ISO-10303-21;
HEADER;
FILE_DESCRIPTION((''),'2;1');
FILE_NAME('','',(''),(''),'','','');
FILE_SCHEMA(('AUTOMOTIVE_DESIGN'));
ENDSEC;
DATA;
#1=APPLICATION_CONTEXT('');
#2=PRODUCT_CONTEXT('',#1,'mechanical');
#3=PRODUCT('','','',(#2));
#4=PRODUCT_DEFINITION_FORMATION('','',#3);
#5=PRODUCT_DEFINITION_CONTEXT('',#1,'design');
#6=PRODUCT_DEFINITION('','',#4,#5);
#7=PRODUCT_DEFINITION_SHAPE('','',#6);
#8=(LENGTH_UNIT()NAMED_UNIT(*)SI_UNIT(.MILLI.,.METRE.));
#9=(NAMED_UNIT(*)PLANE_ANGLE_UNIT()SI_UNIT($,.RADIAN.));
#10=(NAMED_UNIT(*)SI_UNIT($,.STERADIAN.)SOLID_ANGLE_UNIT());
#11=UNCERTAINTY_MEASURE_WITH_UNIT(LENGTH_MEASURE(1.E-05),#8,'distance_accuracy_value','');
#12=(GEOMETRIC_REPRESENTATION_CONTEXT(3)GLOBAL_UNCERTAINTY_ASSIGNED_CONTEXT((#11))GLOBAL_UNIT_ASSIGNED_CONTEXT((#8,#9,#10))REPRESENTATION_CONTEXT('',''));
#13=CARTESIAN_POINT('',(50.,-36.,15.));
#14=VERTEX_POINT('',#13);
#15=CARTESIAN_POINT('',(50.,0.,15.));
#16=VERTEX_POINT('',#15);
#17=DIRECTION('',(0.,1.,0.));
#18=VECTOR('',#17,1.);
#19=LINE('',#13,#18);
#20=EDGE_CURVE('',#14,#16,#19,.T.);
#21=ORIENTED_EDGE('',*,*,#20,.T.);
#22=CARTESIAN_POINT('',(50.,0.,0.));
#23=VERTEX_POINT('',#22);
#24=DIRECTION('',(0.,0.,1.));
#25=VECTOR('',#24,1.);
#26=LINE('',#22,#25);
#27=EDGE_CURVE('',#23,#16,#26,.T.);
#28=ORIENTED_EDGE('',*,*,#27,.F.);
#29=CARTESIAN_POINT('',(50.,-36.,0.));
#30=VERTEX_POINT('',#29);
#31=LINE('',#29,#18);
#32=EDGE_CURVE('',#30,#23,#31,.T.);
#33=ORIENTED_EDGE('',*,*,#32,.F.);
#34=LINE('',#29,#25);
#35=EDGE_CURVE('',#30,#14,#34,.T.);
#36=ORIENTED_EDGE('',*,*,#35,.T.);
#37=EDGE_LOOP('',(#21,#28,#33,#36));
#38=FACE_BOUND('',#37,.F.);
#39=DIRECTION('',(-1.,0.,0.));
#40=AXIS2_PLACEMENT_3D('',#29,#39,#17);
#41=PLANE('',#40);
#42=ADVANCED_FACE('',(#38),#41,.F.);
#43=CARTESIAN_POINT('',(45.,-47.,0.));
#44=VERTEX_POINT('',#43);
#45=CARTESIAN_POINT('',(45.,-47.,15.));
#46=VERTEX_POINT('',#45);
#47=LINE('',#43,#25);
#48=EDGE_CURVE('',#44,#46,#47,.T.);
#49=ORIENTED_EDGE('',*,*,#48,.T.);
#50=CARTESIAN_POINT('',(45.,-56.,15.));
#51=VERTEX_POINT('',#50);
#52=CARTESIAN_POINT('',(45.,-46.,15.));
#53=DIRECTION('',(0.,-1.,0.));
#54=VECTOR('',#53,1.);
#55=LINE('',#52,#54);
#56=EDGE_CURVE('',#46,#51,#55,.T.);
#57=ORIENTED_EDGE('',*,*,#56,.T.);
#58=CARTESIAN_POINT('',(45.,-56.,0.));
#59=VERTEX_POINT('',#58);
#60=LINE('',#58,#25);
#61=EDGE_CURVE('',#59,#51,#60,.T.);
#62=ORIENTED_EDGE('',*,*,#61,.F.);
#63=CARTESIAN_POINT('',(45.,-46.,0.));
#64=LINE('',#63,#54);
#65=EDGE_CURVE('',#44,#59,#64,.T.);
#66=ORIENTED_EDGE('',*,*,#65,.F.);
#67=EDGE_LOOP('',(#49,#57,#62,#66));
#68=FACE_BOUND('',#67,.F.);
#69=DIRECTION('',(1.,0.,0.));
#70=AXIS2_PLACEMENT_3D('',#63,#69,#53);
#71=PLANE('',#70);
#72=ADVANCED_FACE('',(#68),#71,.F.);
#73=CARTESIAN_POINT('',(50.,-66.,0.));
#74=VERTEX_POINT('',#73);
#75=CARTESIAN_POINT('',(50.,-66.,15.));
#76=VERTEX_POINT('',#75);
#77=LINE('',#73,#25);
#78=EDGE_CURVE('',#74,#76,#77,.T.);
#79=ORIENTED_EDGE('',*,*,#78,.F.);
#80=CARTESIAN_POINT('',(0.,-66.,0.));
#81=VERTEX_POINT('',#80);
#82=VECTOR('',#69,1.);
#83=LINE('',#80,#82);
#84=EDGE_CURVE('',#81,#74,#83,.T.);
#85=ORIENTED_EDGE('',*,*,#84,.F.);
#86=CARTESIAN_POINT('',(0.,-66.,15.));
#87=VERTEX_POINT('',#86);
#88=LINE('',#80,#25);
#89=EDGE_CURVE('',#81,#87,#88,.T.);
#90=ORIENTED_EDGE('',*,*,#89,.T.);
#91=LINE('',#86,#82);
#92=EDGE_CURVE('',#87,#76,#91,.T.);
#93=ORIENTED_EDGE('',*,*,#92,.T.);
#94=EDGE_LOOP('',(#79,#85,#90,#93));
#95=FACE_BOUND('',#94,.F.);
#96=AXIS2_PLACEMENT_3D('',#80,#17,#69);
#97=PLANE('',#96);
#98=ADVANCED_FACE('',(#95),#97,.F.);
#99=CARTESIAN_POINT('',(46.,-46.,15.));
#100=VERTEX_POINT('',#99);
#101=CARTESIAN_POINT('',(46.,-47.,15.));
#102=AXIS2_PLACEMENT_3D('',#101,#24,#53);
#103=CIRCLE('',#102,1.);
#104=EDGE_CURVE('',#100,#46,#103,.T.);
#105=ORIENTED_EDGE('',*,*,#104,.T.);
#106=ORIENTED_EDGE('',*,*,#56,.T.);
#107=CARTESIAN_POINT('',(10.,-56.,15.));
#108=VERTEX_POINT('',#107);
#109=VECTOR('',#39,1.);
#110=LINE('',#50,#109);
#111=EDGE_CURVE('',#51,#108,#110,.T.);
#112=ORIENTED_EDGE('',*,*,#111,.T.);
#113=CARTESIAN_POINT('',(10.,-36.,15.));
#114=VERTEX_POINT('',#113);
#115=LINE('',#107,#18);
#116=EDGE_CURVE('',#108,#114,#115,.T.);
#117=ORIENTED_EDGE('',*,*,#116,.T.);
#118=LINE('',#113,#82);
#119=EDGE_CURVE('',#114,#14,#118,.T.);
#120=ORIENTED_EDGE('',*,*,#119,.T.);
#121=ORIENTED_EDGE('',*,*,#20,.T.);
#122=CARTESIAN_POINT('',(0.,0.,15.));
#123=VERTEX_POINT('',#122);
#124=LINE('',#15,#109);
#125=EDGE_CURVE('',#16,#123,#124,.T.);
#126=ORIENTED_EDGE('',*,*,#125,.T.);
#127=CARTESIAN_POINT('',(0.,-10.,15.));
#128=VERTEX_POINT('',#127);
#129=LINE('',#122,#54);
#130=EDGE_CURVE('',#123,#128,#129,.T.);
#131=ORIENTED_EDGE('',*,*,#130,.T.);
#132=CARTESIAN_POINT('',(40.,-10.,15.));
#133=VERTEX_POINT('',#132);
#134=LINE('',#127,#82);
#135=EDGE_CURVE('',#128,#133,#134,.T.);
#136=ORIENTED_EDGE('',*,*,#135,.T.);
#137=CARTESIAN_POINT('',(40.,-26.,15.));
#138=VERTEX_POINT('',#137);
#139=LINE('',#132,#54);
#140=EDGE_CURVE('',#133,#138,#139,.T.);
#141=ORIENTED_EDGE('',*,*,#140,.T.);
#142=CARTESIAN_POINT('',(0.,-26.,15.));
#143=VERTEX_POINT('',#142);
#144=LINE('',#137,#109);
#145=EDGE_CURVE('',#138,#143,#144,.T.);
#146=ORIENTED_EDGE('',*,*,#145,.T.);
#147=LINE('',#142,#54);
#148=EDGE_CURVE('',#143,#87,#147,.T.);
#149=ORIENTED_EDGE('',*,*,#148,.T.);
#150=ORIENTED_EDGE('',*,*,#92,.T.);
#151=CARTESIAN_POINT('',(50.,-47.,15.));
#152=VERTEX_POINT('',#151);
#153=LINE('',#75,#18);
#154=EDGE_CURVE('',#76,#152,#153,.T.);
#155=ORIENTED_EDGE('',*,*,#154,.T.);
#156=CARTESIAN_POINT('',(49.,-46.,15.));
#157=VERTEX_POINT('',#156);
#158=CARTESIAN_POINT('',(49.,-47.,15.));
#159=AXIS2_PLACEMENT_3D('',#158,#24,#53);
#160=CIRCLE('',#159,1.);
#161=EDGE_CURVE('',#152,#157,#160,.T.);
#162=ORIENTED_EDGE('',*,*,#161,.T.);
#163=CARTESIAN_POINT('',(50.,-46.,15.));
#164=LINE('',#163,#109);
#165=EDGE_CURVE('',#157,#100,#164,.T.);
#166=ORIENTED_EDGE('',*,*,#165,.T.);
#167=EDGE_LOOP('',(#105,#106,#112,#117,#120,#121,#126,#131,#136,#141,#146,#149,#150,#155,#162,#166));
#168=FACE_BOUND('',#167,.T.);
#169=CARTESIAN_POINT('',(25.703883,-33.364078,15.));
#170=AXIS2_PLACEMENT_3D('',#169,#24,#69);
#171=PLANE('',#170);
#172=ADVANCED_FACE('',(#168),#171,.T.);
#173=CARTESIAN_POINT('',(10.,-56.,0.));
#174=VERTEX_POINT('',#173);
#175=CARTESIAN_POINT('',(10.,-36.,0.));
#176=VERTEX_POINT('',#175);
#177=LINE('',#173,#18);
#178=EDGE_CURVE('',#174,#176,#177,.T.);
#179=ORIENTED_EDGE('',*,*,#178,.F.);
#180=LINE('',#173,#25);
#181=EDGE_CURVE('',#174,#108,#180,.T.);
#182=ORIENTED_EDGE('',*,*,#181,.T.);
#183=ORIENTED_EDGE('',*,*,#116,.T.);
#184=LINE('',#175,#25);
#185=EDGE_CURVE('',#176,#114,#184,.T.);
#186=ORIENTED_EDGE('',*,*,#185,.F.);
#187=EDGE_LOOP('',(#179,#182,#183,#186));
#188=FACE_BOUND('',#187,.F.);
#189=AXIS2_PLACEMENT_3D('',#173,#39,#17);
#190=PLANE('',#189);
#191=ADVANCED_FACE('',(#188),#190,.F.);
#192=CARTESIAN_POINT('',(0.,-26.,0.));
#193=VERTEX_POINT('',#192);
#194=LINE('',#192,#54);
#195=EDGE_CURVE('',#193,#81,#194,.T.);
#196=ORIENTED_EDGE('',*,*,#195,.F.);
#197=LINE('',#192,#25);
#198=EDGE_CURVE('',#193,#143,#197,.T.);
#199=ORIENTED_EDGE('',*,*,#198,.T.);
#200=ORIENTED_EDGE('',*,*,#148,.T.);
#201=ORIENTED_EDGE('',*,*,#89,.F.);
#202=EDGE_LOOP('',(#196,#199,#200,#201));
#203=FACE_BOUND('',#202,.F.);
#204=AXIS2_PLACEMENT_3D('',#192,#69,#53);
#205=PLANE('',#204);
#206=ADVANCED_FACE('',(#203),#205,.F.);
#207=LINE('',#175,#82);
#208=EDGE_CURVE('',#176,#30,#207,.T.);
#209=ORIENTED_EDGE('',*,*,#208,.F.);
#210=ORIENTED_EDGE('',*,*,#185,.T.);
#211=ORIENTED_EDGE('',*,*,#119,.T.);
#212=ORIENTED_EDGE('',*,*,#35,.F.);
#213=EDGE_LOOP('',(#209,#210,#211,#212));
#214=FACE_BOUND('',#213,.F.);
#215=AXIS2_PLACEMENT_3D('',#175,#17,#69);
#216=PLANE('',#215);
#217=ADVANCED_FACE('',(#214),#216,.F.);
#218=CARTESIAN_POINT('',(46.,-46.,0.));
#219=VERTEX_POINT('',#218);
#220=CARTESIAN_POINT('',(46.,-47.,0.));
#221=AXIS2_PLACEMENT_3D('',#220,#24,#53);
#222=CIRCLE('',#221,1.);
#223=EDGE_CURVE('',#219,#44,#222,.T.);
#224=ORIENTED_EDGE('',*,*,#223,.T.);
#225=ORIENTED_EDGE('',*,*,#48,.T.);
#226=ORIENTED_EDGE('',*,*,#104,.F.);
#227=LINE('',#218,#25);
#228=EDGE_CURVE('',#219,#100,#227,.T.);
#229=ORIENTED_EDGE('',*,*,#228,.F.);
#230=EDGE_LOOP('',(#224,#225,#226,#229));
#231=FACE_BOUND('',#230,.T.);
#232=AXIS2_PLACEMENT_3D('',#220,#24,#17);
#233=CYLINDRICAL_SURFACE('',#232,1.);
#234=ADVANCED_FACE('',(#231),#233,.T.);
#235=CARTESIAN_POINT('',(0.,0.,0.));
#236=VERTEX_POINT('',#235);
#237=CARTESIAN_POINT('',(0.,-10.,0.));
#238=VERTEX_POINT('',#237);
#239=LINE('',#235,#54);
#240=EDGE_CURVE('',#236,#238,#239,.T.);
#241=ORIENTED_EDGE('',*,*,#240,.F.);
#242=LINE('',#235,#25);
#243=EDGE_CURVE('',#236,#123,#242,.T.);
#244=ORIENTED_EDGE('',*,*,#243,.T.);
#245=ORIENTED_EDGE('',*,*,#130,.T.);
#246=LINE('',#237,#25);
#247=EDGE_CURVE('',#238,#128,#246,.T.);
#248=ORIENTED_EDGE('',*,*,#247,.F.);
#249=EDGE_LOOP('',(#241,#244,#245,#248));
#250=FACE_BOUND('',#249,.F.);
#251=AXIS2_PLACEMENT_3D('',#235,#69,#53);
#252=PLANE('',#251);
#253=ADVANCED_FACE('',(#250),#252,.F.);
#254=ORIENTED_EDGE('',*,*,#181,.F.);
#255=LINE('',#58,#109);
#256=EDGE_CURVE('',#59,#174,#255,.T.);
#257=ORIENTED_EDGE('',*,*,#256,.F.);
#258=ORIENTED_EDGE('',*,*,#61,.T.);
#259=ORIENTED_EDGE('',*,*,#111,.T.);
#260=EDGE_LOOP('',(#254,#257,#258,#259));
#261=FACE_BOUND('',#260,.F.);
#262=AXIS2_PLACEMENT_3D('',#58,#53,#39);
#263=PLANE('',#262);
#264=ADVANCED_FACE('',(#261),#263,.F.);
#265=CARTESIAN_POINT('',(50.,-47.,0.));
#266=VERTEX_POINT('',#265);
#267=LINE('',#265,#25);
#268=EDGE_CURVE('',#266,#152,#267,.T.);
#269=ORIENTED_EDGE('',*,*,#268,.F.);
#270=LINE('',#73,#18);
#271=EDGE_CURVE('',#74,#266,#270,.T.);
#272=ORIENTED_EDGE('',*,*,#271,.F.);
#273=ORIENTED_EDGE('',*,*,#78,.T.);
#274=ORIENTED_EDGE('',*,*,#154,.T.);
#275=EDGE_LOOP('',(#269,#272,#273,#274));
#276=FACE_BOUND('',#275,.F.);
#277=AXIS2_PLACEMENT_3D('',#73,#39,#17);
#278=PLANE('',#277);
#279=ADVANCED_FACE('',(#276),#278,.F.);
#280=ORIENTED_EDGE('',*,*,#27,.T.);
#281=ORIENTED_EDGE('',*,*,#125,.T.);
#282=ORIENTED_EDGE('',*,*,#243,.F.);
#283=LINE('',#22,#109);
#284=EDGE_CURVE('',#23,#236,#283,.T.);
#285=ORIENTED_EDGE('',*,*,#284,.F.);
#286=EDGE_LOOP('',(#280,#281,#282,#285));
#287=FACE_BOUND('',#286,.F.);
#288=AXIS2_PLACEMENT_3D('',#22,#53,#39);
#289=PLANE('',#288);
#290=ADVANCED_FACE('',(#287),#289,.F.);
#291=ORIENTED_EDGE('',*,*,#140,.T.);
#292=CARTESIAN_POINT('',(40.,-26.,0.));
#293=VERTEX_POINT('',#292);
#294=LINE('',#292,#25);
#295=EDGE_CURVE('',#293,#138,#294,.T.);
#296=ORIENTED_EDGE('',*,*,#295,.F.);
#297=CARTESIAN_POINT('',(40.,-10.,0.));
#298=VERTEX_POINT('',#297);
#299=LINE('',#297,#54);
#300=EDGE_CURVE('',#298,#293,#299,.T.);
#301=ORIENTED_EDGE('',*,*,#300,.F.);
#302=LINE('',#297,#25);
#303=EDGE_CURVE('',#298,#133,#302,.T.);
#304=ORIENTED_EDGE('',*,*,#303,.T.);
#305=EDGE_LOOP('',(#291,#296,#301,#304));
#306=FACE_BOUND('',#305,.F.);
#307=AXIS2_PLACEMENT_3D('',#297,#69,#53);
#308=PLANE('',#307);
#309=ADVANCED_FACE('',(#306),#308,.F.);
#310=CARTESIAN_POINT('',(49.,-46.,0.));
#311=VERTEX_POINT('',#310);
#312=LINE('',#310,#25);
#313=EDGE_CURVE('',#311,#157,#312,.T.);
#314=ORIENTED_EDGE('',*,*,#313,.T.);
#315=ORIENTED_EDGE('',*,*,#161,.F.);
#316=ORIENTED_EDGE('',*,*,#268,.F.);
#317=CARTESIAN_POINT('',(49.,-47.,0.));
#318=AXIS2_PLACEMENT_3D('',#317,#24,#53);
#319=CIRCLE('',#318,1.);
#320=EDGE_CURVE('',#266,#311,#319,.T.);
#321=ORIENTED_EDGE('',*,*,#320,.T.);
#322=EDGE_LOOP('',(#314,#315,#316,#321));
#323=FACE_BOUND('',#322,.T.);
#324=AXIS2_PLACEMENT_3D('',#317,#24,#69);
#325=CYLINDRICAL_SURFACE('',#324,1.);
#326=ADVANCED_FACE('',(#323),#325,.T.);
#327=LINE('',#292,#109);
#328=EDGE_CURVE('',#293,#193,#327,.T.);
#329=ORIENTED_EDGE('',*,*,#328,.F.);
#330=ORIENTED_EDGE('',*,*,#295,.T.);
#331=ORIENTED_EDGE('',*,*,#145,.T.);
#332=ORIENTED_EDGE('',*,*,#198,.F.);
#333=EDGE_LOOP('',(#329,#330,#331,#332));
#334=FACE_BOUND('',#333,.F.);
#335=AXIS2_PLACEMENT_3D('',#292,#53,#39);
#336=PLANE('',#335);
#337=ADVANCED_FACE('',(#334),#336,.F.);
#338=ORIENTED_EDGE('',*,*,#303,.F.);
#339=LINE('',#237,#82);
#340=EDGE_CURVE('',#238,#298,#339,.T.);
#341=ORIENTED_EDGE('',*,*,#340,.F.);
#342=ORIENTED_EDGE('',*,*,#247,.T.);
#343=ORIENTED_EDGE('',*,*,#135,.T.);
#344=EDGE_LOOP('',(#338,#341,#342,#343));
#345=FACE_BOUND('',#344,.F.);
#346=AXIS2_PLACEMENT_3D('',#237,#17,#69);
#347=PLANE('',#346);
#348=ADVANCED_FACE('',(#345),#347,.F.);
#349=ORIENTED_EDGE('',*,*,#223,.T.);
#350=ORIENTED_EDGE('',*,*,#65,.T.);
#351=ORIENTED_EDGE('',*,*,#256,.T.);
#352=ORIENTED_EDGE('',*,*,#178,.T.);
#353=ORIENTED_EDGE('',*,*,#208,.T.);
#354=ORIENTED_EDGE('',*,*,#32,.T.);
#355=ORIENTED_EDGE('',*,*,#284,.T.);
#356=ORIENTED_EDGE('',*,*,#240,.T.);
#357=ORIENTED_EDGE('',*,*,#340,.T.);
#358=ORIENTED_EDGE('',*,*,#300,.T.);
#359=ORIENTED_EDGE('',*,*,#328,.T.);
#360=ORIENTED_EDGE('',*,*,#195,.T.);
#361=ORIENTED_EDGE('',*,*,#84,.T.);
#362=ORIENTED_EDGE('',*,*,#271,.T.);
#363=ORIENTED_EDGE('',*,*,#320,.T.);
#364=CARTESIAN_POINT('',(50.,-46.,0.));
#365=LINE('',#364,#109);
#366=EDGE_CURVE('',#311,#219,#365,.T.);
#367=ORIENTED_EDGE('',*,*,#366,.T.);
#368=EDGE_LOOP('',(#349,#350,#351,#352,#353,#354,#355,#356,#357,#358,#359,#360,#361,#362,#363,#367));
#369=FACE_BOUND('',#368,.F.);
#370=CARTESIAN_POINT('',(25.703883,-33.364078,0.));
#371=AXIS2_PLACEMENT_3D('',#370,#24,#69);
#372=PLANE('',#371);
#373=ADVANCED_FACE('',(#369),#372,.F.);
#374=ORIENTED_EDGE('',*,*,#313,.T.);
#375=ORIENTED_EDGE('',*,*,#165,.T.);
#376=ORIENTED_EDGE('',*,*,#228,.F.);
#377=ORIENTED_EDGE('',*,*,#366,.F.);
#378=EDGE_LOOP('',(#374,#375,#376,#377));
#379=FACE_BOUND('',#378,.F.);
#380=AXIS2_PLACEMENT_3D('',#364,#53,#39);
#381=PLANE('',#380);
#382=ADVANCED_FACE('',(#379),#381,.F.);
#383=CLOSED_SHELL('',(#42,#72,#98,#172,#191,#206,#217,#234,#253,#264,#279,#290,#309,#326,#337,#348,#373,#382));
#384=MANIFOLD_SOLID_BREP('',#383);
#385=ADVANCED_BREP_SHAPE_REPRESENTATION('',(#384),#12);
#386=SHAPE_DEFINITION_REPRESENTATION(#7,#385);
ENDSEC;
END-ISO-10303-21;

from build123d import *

# Parameters (mm, degrees)
PAD_DEPTH = 15
FILLET_R  = 1


with BuildPart() as part:
    # Sketch → Pad (new body)
    with BuildSketch(Plane.XY):
        Polygon((0, -10), (40, -10), (40, -26), (0, -26), (0, -66), (50, -66), (50, -46), (45, -46), (45, -56), (10, -56), (10, -36), (50, -36), (50, 0), (0, 0), align=None)
    extrude(amount=PAD_DEPTH)

    # Fillet
    fillet_edges = [part.edges().sort_by_distance(p)[0] for p in [
        (50, -46, 7.5),
        (45, -46, 7.5),
    ]]
    fillet(fillet_edges, radius=FILLET_R)


solid = part.part
